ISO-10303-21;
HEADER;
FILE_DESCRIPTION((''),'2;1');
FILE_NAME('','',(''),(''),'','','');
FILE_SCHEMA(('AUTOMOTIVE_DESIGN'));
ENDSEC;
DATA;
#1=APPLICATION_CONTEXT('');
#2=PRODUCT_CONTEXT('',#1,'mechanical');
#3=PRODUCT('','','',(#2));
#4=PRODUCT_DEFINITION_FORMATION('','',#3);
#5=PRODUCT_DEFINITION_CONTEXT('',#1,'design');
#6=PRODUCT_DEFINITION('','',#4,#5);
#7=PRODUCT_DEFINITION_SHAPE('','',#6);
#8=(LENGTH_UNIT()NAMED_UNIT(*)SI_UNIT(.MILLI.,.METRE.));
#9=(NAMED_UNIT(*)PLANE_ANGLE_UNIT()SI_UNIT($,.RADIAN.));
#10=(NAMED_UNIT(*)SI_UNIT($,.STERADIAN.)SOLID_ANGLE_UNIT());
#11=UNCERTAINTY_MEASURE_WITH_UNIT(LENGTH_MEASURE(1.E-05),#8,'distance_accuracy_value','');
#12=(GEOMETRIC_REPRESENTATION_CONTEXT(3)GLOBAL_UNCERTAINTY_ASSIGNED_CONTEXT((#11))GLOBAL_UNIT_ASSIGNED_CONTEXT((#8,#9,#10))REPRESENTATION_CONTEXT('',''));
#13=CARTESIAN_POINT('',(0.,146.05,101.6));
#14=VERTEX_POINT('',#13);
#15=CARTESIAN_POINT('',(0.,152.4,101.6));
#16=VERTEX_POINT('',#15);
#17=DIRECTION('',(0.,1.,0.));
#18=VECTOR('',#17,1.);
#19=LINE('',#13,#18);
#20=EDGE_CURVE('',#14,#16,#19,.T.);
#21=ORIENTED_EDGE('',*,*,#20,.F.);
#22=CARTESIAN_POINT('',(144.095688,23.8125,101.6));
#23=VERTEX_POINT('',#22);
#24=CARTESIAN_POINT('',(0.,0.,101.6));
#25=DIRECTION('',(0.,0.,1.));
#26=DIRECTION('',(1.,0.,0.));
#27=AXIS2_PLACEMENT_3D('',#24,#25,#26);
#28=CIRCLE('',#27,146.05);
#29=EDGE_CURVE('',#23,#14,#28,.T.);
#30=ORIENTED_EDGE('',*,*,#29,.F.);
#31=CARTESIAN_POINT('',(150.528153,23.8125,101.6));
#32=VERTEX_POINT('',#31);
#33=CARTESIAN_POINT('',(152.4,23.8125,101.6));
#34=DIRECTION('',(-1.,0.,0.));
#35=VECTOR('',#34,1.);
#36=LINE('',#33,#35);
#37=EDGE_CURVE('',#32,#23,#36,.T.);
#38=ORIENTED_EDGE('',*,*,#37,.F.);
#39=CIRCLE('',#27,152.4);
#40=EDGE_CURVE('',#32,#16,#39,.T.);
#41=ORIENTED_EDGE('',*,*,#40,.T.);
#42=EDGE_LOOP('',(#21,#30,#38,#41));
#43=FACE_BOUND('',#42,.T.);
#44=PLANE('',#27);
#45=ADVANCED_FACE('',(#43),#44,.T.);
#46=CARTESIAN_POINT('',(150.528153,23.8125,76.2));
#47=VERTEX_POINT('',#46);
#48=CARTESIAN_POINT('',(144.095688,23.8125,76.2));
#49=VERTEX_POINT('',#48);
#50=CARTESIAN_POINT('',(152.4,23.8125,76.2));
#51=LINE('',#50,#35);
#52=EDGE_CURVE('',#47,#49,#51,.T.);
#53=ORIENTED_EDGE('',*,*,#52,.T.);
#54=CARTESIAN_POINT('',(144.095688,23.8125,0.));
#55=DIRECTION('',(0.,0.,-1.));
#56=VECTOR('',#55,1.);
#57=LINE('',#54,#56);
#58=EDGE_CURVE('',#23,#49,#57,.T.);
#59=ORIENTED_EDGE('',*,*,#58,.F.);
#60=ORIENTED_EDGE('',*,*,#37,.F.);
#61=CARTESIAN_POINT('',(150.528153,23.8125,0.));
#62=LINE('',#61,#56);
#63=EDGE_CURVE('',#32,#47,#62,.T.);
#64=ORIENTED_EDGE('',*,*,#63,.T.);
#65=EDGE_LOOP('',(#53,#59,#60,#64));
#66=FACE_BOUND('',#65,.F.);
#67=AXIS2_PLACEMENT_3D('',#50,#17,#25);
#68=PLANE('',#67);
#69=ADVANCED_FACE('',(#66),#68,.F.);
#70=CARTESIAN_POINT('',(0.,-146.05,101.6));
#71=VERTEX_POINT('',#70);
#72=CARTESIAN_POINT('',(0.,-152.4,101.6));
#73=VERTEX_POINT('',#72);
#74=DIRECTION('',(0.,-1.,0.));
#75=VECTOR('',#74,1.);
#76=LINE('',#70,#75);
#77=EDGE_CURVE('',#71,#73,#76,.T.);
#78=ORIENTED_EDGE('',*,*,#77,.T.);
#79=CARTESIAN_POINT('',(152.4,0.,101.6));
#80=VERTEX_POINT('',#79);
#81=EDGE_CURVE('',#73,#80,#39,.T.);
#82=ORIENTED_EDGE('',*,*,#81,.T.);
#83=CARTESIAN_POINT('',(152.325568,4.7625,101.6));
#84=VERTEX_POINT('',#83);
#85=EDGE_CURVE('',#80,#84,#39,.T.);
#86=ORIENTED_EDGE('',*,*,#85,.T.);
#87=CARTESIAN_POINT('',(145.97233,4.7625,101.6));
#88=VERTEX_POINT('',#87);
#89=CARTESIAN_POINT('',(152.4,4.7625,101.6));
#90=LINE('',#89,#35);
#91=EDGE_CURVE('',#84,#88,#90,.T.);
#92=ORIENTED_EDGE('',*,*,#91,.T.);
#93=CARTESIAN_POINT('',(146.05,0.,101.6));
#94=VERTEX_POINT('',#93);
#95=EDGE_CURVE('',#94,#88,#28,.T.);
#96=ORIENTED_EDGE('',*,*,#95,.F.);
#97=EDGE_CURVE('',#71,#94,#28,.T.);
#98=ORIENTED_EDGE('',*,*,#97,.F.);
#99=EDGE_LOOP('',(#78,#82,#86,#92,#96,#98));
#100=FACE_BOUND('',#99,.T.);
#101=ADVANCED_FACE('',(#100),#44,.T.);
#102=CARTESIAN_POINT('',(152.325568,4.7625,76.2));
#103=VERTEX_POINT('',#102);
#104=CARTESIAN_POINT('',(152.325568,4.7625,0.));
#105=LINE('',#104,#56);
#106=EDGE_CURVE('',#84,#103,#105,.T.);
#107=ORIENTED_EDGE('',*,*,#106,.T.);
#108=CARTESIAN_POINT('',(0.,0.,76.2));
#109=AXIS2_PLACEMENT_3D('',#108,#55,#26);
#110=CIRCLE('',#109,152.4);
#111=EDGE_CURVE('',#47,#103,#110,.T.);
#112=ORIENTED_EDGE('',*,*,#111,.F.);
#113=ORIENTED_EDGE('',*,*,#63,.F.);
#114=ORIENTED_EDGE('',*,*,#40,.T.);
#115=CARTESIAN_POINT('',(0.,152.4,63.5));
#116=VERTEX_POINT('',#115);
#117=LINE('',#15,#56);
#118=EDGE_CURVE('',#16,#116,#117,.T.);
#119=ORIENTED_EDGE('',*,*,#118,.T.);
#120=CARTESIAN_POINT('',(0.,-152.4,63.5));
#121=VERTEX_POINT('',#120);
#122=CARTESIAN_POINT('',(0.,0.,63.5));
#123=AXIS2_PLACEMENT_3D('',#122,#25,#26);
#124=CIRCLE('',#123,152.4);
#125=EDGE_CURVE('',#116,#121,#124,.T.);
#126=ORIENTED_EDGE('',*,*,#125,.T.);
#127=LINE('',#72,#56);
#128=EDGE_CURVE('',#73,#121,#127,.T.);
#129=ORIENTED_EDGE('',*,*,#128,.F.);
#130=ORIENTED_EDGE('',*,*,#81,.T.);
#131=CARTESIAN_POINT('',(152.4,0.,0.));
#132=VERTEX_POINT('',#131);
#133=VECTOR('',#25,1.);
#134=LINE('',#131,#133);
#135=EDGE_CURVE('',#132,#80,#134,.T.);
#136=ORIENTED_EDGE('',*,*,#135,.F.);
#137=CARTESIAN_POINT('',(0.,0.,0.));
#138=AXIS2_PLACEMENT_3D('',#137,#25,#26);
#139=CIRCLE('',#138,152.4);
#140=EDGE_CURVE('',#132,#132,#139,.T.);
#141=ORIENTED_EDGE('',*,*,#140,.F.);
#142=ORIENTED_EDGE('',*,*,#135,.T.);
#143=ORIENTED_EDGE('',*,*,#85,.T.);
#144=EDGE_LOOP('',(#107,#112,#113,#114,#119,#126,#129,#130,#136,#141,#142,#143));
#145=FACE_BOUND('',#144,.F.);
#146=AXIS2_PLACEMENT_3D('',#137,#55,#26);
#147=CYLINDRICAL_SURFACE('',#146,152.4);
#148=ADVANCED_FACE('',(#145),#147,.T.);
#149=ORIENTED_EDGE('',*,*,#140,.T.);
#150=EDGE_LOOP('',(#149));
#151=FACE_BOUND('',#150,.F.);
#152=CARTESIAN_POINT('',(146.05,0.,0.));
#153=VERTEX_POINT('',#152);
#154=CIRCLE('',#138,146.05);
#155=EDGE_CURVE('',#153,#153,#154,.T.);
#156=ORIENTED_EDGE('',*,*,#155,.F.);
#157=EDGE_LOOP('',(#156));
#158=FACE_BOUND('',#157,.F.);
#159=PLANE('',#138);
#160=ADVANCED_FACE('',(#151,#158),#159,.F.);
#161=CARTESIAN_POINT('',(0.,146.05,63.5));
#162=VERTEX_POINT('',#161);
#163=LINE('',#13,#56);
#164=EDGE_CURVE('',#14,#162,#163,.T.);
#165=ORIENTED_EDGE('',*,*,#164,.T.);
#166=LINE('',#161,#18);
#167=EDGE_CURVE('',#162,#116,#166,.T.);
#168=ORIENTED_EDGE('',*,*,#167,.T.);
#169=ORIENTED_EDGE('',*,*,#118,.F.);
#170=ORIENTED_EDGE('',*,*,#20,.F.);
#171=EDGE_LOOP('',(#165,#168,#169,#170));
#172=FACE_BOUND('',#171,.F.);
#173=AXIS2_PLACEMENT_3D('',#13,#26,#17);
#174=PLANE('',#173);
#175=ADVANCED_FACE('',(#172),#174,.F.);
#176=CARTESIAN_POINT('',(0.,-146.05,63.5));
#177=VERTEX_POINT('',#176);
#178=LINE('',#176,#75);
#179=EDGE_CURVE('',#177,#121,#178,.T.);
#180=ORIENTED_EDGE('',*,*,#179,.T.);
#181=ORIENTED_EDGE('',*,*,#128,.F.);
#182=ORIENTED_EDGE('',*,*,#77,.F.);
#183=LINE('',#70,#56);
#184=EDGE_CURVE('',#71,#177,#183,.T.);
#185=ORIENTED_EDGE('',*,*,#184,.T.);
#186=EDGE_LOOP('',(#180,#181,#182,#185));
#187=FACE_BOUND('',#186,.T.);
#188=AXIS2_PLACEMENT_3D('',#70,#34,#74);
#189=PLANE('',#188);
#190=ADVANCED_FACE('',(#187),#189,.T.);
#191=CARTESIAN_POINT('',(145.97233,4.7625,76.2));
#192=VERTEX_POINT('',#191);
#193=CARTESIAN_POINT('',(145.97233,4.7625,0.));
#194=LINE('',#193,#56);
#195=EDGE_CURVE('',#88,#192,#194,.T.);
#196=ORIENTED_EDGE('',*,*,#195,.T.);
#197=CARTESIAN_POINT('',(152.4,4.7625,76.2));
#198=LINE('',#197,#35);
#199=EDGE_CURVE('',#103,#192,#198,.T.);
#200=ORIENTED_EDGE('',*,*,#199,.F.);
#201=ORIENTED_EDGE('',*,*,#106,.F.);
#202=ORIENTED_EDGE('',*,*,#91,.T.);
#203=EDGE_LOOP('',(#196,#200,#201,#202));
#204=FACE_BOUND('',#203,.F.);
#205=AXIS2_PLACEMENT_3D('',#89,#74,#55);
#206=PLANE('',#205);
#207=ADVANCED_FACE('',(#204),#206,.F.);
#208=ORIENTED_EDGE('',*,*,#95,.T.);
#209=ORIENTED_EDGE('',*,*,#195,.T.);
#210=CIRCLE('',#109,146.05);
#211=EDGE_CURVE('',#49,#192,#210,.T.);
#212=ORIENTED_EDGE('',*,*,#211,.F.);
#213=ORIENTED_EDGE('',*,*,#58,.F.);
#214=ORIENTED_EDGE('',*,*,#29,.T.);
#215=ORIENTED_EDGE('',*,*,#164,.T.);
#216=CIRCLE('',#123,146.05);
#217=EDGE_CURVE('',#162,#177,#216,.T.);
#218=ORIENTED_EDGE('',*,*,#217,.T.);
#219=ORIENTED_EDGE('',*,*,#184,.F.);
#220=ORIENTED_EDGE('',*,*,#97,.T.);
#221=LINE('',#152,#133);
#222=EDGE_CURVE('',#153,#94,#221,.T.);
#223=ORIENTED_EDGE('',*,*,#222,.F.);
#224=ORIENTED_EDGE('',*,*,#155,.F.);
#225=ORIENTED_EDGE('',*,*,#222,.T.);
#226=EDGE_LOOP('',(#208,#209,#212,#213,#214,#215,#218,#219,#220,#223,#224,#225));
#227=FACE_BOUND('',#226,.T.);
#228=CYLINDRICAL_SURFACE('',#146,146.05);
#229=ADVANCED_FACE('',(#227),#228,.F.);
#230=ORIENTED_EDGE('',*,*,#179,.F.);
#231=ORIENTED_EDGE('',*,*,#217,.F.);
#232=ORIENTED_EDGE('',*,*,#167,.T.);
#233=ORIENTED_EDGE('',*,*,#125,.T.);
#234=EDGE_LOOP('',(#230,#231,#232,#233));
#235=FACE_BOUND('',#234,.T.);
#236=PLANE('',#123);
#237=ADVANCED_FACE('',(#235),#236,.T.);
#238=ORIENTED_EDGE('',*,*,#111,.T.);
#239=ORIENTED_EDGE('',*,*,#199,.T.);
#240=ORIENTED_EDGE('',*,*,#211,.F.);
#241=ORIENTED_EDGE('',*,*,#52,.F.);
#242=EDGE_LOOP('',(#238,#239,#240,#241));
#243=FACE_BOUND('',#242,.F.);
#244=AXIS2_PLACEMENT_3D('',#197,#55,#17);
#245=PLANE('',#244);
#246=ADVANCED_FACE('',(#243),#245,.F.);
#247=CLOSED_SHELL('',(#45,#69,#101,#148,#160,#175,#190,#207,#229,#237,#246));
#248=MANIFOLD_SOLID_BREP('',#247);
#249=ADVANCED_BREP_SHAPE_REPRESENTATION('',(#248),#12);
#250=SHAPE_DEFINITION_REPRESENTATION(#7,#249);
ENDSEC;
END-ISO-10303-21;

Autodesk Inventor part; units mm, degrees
ref_plane "YZ Plane" through (0, 0, 0) normal (1, 0, 0) x (0, 1, 0)
ref_plane "XZ Plane" through (0, 0, 0) normal (0, 1, 0) x (-1, 0, 0)
ref_plane "XY Plane" through (0, 0, 0) normal (0, 0, 1) x (1, 0, 0)
sketch "Sketch1" plane through (0, 0, 0) normal (0, 0, 1) x (1, 0, 0)
  circle A0 centre (0, 0) radius 152.4
  circle A1 centre (0, 0) radius 146.05
  dimension "d0" = 304.8
  dimension "d1" = 292.1
extrude "Extrusion1" add sketch "Sketch1" along normal blind 101.6
sketch "Sketch2" plane through (0, 0, 101.6) normal (0, 0, 1) x (1, 0, 0)
  circle A0 centre (0, 0) radius 146.05 projected
  circle A1 centre (0, 0) radius 152.4 projected
  line L0 (0, -146.05) -> (0, -152.4)
  line L1 (0, 146.05) -> (0, 152.4)
extrude "Extrusion3" cut sketch "Sketch2" against normal blind 38.1 contours A0 L0 A1 L1 picked at (-148.0019, 0)
ref_plane "Work Plane1" through (152.4, 0, 0) normal (-1, 0, 0) x (0, -1, 0)
sketch "Sketch3" plane through (152.4, 0, 0) normal (-1, 0, 0) x (0, -1, 0)
  line L0 (-4.7625, 101.6) -> (-4.7625, 76.2)
  line L1 (-4.7625, 76.2) -> (-23.8125, 76.2)
  line L2 (-23.8125, 76.2) -> (-23.8125, 101.6)
  line L3 (-23.8125, 101.6) -> (-4.7625, 101.6)
  line L4 (-152.4, 0) -> (152.4, 0) projected
  point P0 (0, 0)
  dimension "d8" = 25.4
  dimension "d9" = 19.05
  dimension "d10" = 4.7625
  dimension "d11" = 101.6
extrude "Extrusion4" cut sketch "Sketch3" along normal blind 38.1
properties part number "Bucketr" material "Polycarbonate, Clear"
